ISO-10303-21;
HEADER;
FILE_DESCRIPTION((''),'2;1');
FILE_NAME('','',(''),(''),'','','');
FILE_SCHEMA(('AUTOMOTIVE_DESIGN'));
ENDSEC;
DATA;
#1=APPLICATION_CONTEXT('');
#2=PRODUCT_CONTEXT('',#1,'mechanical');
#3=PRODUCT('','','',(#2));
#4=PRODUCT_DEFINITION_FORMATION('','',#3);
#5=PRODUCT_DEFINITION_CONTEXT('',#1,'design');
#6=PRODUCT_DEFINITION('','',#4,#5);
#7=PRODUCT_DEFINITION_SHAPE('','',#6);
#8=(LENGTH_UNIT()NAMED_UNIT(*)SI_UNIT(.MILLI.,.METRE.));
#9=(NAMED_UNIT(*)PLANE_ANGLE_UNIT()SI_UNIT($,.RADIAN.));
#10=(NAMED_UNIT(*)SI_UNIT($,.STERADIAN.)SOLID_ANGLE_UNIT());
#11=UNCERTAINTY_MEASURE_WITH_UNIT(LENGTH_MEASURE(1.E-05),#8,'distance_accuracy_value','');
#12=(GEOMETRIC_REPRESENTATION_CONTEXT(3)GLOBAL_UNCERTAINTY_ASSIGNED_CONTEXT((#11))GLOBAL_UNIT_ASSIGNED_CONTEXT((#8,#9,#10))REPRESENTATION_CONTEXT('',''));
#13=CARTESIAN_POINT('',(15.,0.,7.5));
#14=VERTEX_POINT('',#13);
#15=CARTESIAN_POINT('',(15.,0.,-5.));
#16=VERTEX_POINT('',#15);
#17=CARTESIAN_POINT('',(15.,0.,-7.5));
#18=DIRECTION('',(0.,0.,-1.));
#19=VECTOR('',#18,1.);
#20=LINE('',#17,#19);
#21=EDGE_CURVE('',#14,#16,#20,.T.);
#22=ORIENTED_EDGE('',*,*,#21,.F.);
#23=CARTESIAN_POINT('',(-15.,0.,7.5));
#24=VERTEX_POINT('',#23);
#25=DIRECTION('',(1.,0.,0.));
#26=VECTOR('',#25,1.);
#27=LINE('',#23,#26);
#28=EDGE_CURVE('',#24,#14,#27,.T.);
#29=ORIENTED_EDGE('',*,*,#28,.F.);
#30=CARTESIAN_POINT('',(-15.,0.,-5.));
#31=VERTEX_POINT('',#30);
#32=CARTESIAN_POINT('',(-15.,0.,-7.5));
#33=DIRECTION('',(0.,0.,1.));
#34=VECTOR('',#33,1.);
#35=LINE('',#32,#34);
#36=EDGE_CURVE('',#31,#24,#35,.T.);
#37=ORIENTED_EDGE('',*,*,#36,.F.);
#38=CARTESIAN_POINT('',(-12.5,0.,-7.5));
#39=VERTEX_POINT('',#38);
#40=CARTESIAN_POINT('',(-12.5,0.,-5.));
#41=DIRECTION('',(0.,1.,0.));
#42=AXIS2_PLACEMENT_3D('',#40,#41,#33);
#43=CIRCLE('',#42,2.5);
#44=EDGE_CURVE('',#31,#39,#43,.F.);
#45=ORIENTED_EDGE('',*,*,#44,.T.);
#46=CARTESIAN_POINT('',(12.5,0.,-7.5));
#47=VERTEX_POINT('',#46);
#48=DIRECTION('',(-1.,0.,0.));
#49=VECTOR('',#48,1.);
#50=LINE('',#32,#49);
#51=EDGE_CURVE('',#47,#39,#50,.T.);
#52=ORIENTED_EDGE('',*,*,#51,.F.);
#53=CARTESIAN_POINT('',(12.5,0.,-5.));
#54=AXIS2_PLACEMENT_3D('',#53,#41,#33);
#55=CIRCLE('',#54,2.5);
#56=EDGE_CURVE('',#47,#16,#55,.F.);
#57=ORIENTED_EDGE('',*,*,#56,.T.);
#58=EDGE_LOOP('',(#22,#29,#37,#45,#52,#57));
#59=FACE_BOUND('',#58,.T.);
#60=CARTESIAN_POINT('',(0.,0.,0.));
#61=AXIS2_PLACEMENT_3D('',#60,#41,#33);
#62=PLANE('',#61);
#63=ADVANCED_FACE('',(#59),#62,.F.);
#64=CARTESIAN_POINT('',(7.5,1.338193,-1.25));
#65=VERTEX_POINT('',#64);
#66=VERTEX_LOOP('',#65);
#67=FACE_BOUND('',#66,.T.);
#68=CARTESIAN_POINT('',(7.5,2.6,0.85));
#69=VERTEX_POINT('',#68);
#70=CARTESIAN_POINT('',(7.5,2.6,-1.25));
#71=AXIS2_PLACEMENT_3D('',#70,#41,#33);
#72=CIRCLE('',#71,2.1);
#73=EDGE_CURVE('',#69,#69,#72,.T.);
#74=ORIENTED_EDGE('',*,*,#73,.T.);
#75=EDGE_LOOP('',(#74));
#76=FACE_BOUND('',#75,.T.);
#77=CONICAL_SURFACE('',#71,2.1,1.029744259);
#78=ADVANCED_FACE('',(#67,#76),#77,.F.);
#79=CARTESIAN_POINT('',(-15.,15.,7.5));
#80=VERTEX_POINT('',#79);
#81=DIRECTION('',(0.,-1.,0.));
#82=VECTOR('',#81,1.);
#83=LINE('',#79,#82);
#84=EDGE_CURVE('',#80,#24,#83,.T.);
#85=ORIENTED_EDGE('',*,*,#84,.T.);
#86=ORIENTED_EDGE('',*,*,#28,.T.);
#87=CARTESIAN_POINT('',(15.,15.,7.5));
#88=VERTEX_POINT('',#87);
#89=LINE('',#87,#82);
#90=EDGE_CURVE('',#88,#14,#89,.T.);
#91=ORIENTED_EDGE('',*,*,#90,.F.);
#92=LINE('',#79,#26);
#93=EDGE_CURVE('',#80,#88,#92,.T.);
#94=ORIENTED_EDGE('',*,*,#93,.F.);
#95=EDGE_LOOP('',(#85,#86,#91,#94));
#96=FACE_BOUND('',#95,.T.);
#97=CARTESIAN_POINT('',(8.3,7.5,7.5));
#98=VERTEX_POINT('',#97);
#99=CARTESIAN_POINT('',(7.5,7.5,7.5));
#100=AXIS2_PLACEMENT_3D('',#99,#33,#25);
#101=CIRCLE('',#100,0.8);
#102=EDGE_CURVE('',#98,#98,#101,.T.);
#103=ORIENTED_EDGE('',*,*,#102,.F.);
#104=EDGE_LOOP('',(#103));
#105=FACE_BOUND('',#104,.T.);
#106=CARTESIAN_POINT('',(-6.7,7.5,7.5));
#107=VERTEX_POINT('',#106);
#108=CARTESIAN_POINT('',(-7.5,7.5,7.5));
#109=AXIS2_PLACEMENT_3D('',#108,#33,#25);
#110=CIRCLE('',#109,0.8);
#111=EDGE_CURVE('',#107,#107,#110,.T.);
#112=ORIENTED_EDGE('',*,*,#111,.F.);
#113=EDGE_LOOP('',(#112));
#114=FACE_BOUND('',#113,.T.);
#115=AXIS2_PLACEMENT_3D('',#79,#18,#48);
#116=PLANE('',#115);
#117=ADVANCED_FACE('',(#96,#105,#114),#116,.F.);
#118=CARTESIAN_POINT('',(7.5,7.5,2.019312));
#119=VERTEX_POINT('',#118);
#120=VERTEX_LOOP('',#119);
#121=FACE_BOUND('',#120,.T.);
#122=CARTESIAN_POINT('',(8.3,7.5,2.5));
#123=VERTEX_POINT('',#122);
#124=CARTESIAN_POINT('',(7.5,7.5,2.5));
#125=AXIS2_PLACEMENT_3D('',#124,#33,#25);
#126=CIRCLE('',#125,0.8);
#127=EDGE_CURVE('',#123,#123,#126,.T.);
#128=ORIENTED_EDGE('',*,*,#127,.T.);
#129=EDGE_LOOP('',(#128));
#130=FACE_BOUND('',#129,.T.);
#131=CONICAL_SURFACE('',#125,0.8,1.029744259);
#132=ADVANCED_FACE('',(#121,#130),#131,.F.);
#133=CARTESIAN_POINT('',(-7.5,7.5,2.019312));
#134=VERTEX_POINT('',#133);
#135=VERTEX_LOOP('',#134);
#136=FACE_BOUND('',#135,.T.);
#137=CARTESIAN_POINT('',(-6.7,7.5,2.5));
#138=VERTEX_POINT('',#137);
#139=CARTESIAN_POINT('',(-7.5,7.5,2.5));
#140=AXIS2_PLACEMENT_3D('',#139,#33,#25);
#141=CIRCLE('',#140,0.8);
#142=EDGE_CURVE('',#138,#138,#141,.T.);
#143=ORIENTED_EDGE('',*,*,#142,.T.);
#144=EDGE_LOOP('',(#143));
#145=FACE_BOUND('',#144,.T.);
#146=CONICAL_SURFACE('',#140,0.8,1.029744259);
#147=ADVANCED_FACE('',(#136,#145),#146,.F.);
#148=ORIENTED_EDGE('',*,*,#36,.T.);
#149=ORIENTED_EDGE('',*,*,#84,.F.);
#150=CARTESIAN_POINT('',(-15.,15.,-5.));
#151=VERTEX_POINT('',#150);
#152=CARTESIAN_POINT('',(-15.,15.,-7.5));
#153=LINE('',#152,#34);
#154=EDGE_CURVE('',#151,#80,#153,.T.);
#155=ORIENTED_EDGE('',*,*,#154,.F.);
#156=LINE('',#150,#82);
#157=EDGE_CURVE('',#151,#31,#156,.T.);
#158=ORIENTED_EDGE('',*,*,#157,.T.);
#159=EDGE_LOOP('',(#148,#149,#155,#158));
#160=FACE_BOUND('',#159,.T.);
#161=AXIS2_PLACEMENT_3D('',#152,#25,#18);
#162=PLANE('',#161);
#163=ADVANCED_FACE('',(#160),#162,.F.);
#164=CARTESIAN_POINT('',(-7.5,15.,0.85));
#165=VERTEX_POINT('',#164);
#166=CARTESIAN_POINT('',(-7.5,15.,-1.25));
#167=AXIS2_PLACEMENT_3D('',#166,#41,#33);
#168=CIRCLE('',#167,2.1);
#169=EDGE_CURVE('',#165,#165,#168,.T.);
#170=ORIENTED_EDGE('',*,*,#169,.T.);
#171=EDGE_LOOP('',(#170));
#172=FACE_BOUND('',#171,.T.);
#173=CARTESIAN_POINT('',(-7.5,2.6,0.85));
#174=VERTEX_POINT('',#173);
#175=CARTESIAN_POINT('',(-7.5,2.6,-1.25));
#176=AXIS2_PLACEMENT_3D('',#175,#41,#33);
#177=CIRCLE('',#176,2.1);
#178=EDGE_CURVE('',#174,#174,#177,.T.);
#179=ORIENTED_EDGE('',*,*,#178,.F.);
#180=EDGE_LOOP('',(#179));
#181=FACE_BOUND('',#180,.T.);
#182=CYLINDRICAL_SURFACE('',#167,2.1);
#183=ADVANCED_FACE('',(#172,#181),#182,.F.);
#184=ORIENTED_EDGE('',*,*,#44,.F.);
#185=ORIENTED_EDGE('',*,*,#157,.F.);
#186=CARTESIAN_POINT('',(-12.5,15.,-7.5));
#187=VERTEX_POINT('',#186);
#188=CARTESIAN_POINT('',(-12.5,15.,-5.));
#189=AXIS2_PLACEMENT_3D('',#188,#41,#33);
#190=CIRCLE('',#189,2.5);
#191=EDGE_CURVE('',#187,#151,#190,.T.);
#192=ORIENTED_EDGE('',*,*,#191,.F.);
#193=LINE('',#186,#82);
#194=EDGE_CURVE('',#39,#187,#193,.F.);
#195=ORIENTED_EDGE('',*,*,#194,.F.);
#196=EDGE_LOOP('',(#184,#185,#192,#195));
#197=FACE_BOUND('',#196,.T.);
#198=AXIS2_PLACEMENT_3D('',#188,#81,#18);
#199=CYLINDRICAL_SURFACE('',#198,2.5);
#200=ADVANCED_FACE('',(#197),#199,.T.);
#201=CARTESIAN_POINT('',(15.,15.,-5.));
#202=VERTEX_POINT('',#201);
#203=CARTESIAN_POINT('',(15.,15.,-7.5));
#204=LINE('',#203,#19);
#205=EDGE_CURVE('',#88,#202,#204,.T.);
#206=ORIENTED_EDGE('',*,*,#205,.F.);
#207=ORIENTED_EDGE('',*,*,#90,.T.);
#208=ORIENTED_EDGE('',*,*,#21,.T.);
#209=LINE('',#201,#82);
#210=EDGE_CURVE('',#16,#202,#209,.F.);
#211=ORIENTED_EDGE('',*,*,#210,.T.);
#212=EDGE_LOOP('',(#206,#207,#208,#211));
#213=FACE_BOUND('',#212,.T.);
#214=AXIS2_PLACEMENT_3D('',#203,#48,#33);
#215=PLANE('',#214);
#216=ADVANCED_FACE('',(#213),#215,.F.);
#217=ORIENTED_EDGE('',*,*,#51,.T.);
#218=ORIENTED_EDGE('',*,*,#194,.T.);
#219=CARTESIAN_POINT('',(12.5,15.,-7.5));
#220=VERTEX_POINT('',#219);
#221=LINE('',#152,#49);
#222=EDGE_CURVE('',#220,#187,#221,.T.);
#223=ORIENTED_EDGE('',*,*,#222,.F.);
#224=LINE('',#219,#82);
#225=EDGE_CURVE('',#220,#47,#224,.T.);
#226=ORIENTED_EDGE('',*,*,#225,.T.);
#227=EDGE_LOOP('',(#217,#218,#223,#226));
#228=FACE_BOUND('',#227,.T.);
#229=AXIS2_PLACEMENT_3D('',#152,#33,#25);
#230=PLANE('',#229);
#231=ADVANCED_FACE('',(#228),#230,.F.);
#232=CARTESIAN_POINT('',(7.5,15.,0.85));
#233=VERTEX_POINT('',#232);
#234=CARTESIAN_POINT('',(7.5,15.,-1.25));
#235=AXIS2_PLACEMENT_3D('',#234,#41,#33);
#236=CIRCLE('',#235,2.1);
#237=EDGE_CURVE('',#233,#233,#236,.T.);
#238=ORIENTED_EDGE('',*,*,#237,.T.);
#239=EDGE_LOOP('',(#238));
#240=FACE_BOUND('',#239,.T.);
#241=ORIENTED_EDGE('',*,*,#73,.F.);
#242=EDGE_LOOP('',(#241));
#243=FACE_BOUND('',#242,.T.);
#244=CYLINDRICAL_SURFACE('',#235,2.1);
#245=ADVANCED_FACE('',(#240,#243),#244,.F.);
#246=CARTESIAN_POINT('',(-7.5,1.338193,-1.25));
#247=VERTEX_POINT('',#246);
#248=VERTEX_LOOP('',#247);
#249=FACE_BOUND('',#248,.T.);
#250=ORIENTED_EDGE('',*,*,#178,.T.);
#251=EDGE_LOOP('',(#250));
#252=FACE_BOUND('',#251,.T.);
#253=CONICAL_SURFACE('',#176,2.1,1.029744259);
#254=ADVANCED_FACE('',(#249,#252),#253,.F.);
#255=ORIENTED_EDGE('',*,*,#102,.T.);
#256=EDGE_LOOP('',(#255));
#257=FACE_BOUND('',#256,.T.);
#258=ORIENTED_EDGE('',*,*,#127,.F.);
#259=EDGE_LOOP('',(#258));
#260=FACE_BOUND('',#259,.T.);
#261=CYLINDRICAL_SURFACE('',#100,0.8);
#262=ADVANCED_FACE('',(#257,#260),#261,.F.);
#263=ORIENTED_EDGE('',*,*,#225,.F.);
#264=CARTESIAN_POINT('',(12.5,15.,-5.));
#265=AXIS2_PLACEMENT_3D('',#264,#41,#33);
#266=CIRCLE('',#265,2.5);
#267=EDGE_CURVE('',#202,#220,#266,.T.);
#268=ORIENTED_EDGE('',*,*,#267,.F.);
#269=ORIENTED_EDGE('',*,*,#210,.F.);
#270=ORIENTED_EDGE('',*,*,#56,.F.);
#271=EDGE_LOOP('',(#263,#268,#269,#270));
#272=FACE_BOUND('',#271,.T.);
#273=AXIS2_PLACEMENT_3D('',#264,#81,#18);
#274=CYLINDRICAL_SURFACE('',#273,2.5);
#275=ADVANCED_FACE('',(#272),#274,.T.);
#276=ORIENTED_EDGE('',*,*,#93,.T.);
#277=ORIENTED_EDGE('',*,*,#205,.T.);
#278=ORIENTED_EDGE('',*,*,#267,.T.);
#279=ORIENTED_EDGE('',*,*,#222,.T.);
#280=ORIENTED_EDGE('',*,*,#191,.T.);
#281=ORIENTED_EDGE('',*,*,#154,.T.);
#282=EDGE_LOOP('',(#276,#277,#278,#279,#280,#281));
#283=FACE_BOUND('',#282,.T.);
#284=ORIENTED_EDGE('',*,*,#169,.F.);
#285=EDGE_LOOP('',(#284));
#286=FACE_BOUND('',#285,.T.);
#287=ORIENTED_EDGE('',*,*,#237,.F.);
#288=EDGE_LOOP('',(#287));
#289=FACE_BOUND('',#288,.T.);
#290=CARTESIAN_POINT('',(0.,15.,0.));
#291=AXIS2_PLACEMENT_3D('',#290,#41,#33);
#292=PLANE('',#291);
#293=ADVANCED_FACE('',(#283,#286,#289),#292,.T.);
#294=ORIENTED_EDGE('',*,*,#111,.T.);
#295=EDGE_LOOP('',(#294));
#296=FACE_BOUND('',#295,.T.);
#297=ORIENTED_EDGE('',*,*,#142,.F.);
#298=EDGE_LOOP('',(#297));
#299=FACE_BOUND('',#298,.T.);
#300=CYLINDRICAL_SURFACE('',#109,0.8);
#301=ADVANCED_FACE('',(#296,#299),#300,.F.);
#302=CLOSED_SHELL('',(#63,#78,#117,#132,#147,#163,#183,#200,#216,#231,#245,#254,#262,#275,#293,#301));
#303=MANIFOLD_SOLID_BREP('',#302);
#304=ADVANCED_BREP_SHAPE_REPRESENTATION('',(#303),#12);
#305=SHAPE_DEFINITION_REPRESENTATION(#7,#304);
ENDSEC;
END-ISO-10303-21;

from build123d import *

# Parameters (mm, degrees)
SKETCH1_W             = 30
SKETCH1_H             = 15
BOSS_EXTRUDE1_DEPTH   = 15
FILLET1_R             = 2.5
M5_TAPPED_HOLE1_D     = 4.2
M5_TAPPED_HOLE1_DEPTH = 12.4
M5_TAPPED_HOLE1_TIP   = 1.2618073
M2_TAPPED_HOLE1_D     = 1.6
M2_TAPPED_HOLE1_DEPTH = 5
M2_TAPPED_HOLE1_TIP   = 0.480688495


with BuildPart() as part:
    # Sketch1 → Boss-Extrude1 (new body)
    with BuildSketch(Plane(origin=(0, 0, 0), x_dir=(1, 0, 0), z_dir=(0, 1, 0))):
        Rectangle(SKETCH1_W, SKETCH1_H)
    extrude(amount=BOSS_EXTRUDE1_DEPTH)

    # Fillet1
    fillet1_edges = [part.edges().sort_by_distance(p)[0] for p in [
        (-15, 7.5, -7.5),
        (15, 7.5, -7.5),
    ]]
    fillet(fillet1_edges, radius=FILLET1_R)

    # M5 Tapped Hole1
    with Locations(Plane(origin=(0, 15, 0), x_dir=(1, 0, 0), z_dir=(0, 1, 0))):
        with Locations((-7.5, 1.25), (7.5, 1.25)):
            Hole(M5_TAPPED_HOLE1_D / 2, depth=M5_TAPPED_HOLE1_DEPTH)
            with Locations((0, 0, -(M5_TAPPED_HOLE1_DEPTH + M5_TAPPED_HOLE1_TIP / 2))):  # 118° drill point
                Cone(0, M5_TAPPED_HOLE1_D / 2, M5_TAPPED_HOLE1_TIP, mode=Mode.SUBTRACT)

    # M2 Tapped Hole1
    with Locations(Plane.XY.offset(7.5)):
        with Locations((7.5, 7.5), (-7.5, 7.5)):
            Hole(M2_TAPPED_HOLE1_D / 2, depth=M2_TAPPED_HOLE1_DEPTH)
            with Locations((0, 0, -(M2_TAPPED_HOLE1_DEPTH + M2_TAPPED_HOLE1_TIP / 2))):  # 118° drill point
                Cone(0, M2_TAPPED_HOLE1_D / 2, M2_TAPPED_HOLE1_TIP, mode=Mode.SUBTRACT)


solid = part.part
